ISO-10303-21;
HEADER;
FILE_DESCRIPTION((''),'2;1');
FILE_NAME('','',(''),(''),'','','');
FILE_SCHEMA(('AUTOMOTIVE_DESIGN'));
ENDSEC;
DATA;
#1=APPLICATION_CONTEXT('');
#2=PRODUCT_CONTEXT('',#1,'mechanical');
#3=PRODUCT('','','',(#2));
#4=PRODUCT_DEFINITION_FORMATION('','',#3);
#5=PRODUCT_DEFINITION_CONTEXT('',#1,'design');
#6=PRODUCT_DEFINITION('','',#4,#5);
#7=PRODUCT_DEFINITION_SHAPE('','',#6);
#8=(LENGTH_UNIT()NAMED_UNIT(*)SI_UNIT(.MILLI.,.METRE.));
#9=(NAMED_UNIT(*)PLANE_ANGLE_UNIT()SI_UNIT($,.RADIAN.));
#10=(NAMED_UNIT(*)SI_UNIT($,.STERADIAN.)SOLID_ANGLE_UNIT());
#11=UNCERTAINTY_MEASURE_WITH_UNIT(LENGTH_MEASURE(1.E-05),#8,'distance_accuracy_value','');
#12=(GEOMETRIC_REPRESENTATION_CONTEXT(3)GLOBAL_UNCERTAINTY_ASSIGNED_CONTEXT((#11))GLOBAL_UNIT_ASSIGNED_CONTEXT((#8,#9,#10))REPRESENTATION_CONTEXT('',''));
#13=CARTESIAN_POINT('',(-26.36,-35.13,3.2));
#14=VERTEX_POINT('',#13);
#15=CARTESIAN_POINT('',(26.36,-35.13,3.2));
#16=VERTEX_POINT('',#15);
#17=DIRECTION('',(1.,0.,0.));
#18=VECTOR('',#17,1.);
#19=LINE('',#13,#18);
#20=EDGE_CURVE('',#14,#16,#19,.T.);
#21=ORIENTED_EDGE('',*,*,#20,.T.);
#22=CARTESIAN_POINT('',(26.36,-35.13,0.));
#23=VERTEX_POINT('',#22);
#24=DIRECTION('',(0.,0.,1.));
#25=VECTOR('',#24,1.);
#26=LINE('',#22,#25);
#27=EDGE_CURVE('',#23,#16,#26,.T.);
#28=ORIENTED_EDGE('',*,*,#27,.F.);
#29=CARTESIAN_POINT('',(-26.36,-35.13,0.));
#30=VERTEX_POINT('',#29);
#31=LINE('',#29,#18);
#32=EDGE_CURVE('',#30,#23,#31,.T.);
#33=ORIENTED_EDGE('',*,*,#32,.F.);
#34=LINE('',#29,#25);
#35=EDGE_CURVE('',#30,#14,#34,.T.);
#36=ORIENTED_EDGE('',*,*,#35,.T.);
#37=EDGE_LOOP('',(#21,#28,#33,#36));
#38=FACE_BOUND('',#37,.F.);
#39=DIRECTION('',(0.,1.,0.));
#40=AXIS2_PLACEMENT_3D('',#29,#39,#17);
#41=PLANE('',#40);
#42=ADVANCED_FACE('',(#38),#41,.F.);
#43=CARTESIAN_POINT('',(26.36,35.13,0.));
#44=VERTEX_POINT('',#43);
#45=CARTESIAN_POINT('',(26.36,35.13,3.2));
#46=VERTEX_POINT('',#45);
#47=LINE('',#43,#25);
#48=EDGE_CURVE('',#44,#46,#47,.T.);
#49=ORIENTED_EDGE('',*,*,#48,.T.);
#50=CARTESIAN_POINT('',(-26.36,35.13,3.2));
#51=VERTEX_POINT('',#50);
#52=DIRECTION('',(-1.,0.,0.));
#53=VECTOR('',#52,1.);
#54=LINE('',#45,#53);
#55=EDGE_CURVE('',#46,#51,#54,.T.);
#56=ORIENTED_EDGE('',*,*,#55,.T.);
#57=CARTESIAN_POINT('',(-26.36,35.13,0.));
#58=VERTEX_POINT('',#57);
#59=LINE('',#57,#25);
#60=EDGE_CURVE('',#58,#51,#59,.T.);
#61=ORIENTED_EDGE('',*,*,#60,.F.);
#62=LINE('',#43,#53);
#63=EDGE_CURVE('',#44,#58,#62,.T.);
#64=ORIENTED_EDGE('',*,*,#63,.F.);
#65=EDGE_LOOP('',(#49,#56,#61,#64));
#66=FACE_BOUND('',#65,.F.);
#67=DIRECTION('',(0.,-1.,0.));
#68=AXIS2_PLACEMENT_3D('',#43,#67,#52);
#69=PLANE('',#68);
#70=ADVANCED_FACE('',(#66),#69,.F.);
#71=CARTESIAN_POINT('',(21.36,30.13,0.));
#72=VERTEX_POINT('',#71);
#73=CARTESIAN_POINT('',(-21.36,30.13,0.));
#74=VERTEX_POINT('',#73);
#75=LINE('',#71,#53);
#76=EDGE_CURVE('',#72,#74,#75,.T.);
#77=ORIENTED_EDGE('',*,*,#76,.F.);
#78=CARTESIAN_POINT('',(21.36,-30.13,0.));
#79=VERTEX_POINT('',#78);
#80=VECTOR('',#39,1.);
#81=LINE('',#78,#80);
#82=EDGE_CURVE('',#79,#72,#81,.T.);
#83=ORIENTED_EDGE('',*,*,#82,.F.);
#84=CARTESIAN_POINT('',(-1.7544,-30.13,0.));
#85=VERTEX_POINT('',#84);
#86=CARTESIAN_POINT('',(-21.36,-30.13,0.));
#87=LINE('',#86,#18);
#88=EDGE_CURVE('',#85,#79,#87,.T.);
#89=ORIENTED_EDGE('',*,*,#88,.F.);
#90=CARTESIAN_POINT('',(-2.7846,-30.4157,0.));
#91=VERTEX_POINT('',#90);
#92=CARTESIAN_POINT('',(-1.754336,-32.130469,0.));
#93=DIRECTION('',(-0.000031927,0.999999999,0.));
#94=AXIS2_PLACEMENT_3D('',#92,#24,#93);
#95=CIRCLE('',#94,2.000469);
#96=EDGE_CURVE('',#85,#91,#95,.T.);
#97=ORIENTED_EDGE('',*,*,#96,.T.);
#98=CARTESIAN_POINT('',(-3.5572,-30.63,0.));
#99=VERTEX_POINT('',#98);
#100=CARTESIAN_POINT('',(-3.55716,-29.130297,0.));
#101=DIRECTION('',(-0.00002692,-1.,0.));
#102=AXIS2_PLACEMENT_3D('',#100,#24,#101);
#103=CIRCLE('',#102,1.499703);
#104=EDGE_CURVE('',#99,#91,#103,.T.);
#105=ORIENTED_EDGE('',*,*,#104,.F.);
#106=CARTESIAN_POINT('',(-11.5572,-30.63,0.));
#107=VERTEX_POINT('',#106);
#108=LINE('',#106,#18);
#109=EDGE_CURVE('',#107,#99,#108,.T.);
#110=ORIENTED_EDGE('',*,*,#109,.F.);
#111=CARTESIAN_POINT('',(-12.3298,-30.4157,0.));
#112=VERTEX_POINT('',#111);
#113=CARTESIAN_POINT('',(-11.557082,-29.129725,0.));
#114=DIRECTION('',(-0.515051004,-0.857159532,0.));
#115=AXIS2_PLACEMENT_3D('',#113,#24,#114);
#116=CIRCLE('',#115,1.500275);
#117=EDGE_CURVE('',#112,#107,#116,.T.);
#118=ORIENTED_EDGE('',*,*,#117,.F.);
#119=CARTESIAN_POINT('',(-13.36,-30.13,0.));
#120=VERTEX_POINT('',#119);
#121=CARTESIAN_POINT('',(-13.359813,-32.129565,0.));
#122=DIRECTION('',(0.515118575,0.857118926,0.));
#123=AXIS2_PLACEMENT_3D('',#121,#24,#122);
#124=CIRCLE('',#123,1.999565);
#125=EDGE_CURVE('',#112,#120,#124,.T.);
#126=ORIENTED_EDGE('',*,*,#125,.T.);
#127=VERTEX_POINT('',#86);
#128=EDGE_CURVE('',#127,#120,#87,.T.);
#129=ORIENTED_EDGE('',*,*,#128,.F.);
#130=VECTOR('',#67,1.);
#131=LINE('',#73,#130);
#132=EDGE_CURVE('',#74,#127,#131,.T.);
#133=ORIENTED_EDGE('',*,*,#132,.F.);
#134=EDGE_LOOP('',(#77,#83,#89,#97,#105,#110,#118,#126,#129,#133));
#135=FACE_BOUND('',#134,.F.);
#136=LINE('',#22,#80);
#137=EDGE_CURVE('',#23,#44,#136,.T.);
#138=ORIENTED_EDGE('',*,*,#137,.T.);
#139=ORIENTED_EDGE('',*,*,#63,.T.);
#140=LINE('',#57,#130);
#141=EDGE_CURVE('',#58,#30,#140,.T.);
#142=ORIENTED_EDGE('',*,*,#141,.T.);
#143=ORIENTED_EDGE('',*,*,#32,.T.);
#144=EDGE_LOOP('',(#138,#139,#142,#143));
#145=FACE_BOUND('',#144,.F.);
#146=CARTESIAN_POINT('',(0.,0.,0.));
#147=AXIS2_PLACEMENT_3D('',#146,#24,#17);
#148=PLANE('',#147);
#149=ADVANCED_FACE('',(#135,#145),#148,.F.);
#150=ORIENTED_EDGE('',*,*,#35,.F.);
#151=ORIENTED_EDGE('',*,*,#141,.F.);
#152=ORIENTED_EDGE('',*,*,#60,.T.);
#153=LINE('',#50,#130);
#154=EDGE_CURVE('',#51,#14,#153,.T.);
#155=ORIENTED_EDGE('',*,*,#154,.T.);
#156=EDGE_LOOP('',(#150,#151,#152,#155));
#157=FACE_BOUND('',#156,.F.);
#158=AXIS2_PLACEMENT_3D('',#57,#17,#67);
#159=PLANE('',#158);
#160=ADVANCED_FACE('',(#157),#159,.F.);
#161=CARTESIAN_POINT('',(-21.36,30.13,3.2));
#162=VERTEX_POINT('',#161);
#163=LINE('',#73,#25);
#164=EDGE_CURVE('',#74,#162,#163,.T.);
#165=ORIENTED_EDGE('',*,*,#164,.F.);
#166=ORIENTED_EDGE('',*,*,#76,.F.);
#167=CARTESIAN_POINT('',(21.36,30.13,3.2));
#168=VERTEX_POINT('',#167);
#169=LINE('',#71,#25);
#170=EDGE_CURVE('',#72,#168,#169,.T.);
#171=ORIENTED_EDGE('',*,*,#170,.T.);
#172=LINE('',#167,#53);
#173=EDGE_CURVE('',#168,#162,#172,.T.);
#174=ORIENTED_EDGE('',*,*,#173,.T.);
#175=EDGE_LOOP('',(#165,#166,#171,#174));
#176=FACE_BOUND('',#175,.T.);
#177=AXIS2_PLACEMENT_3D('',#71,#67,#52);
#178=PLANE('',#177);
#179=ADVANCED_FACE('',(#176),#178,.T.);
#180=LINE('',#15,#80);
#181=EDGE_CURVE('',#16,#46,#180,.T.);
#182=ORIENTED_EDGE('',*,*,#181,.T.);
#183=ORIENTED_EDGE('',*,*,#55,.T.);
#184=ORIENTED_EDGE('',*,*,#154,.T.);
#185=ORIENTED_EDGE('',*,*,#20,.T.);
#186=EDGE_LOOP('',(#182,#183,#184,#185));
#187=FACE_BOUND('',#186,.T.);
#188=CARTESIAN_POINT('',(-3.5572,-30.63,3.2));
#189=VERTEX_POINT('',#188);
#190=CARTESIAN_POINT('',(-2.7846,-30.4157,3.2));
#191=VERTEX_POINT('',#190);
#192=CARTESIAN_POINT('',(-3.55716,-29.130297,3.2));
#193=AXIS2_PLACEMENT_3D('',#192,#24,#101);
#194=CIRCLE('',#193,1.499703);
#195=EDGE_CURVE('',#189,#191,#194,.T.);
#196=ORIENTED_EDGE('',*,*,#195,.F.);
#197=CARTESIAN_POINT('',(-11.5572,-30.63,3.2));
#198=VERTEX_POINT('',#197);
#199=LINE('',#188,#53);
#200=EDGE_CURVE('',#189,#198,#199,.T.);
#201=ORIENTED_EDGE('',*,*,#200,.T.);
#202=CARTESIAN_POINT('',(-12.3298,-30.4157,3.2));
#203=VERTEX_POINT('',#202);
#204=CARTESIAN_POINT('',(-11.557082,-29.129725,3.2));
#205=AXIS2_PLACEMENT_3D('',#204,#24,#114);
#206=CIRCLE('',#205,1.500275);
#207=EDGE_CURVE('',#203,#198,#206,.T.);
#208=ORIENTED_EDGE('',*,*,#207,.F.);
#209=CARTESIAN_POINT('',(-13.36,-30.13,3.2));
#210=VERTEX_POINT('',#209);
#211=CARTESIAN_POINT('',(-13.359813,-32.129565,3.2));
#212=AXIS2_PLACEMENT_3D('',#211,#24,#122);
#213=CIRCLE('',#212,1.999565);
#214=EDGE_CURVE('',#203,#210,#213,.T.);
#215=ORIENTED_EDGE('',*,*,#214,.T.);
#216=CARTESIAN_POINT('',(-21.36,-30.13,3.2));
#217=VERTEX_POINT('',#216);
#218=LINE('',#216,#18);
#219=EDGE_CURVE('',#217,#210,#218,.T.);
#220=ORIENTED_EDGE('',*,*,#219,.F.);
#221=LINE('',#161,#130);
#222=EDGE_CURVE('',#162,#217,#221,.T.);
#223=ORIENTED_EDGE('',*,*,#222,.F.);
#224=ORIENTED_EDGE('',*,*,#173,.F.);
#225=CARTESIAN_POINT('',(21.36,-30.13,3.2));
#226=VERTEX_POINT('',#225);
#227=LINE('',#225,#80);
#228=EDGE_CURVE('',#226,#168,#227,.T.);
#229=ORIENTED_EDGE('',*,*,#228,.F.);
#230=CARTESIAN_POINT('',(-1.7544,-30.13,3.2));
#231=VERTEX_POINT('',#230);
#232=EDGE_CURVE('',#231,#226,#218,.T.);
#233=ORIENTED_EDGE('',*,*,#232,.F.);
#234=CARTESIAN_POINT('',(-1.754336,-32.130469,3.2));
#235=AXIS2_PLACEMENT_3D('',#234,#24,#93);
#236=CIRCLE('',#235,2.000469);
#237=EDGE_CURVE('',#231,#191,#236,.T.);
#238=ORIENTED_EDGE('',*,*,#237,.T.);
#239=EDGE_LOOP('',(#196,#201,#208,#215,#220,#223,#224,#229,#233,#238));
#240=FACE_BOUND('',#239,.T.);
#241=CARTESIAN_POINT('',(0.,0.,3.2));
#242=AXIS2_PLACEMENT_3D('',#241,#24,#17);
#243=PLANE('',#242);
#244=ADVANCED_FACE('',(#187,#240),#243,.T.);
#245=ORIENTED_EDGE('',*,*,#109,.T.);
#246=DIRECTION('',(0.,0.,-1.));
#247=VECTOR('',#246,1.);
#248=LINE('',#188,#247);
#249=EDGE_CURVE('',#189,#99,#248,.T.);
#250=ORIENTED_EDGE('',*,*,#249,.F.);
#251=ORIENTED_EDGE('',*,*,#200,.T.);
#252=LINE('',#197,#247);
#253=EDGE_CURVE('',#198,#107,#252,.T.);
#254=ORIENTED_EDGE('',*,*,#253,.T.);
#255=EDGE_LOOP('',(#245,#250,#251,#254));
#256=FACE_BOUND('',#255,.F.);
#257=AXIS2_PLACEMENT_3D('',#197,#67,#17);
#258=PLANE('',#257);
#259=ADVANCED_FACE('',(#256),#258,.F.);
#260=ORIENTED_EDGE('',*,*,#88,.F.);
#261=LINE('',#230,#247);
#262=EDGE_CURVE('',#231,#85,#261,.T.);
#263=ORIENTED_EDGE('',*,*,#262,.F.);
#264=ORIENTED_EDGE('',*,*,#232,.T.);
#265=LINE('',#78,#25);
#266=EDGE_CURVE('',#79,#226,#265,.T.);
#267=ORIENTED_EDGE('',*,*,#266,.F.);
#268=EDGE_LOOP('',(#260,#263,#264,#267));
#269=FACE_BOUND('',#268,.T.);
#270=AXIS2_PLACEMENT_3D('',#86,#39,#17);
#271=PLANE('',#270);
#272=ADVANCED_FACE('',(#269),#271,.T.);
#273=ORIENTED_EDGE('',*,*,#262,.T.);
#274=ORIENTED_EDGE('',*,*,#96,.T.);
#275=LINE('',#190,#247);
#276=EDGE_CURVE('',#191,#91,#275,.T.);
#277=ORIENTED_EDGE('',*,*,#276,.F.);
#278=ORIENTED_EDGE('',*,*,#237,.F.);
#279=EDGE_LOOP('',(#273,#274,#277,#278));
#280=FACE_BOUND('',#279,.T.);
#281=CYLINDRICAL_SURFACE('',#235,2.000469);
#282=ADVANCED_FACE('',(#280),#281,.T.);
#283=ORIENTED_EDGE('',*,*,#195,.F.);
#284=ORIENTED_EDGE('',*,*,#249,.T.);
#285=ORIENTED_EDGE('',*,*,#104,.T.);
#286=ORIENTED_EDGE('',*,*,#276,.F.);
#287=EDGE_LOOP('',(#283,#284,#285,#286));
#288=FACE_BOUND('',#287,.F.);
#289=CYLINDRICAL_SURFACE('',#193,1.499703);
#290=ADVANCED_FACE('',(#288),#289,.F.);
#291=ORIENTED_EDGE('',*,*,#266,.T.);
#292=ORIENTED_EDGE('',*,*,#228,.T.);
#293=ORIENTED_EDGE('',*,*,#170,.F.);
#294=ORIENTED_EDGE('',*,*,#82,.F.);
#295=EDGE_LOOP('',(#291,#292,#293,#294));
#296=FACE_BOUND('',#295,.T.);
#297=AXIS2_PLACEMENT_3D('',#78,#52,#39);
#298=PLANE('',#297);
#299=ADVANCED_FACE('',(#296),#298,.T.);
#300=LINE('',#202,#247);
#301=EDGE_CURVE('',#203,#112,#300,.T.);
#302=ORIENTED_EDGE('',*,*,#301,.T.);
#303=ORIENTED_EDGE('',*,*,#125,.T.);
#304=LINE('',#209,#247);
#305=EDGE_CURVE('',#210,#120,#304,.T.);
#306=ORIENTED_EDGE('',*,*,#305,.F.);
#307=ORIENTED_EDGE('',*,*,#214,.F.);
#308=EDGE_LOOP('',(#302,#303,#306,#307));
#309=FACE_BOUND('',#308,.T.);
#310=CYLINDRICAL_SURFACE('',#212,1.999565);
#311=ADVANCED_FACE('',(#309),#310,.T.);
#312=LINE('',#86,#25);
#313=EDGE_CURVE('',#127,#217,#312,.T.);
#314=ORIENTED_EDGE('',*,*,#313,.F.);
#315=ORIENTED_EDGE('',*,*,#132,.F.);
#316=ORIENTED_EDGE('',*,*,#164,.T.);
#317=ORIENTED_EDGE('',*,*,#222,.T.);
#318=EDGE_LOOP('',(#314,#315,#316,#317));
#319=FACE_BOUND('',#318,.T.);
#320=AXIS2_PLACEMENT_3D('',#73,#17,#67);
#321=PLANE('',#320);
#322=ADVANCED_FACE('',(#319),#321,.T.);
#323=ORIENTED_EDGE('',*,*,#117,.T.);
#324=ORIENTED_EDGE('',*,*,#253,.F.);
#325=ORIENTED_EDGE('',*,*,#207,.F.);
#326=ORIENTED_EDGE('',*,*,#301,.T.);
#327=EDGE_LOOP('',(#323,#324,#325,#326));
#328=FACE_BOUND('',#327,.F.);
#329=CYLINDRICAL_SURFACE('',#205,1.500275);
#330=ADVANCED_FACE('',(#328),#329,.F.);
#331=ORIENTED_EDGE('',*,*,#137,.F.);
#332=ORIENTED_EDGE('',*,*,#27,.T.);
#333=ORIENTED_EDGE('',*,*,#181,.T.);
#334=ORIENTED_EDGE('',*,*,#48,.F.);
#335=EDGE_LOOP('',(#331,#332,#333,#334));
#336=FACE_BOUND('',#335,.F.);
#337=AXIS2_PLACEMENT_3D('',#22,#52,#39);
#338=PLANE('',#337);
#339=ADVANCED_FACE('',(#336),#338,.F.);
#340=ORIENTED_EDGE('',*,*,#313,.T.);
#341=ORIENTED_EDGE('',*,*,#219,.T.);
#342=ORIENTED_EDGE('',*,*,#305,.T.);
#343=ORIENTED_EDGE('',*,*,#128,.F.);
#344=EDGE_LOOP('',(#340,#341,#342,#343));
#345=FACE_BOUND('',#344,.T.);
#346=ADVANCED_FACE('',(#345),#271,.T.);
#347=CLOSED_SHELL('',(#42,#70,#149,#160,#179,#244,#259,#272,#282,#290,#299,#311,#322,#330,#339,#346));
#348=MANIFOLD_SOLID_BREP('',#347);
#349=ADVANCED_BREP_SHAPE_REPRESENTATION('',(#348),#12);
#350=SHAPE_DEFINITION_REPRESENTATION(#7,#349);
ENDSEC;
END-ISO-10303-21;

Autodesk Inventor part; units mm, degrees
ref_plane "YZ Plane" through (0, 0, 0) normal (1, 0, 0) x (0, 1, 0)
ref_plane "XZ Plane" through (0, 0, 0) normal (0, 1, 0) x (-1, 0, 0)
ref_plane "XY Plane" through (0, 0, 0) normal (0, 0, 1) x (1, 0, 0)
sketch "Sketch1" plane through (0, 0, 0) normal (0, 0, 1) x (1, 0, 0)
  line L0 (-26.36, -35.13) -> (26.36, -35.13)
  line L1 (26.36, -35.13) -> (26.36, 35.13)
  line L2 (26.36, 35.13) -> (-26.36, 35.13)
  line L3 (-26.36, 35.13) -> (-26.36, -35.13)
  line L4 (-26.36, -35.13) -> (26.36, 35.13) construction
  line L5 (26.36, -35.13) -> (-26.36, 35.13) construction
  line L6 (-21.36, -30.13) -> (21.36, -30.13)
  line L7 (21.36, -30.13) -> (21.36, 30.13)
  line L8 (21.36, 30.13) -> (-21.36, 30.13)
  line L9 (-21.36, 30.13) -> (-21.36, -30.13)
  line L10 (-21.36, -30.13) -> (21.36, 30.13) construction
  line L11 (21.36, -30.13) -> (-21.36, 30.13) construction
  point P0 (0, 0)
  dimension "t" = 5
  dimension "d1" = 5
  dimension "d2" = 60.26
  dimension "d3" = 42.72
extrude "Extrusion1" add sketch "Sketch1" along normal blind 3.2
sketch "Sketch2" plane through (0, 0, 3.2) normal (0, 0, 1) x (1, 0, 0)
  line L0 (-11.5572, -30.63) -> (-3.5572, -30.63)
  arc A0 (-3.5572, -30.63) -> (-2.7846, -30.4157) centre (-3.5572, -29.13) ccw
  arc A1 (-1.7544, -30.13) -> (-2.7846, -30.4157) centre (-1.7544, -32.13) ccw
  line L1 (21.36, -30.13) -> (-21.36, -30.13) projected
  line L2 (-7.5572, -30.63) -> (-7.5572, -30.13)
  arc A2 (-12.3298, -30.4157) -> (-11.5572, -30.63) centre (-11.5572, -29.13) ccw
  arc A3 (-12.3298, -30.4157) -> (-13.36, -30.13) centre (-13.36, -32.13) ccw
  point P0 (0, 0)
  point P1 (-13.36, -30.13)
  dimension "d6" = 0.5
  dimension "d7" = 8
  dimension "d8" = 1.5
  dimension "d9" = 2
  dimension "d10" = 8
extrude "Extrusion2" cut sketch "Sketch2" against normal blind 3.2
equation "\"d1\" = t"
properties part number "LCDFrame"
